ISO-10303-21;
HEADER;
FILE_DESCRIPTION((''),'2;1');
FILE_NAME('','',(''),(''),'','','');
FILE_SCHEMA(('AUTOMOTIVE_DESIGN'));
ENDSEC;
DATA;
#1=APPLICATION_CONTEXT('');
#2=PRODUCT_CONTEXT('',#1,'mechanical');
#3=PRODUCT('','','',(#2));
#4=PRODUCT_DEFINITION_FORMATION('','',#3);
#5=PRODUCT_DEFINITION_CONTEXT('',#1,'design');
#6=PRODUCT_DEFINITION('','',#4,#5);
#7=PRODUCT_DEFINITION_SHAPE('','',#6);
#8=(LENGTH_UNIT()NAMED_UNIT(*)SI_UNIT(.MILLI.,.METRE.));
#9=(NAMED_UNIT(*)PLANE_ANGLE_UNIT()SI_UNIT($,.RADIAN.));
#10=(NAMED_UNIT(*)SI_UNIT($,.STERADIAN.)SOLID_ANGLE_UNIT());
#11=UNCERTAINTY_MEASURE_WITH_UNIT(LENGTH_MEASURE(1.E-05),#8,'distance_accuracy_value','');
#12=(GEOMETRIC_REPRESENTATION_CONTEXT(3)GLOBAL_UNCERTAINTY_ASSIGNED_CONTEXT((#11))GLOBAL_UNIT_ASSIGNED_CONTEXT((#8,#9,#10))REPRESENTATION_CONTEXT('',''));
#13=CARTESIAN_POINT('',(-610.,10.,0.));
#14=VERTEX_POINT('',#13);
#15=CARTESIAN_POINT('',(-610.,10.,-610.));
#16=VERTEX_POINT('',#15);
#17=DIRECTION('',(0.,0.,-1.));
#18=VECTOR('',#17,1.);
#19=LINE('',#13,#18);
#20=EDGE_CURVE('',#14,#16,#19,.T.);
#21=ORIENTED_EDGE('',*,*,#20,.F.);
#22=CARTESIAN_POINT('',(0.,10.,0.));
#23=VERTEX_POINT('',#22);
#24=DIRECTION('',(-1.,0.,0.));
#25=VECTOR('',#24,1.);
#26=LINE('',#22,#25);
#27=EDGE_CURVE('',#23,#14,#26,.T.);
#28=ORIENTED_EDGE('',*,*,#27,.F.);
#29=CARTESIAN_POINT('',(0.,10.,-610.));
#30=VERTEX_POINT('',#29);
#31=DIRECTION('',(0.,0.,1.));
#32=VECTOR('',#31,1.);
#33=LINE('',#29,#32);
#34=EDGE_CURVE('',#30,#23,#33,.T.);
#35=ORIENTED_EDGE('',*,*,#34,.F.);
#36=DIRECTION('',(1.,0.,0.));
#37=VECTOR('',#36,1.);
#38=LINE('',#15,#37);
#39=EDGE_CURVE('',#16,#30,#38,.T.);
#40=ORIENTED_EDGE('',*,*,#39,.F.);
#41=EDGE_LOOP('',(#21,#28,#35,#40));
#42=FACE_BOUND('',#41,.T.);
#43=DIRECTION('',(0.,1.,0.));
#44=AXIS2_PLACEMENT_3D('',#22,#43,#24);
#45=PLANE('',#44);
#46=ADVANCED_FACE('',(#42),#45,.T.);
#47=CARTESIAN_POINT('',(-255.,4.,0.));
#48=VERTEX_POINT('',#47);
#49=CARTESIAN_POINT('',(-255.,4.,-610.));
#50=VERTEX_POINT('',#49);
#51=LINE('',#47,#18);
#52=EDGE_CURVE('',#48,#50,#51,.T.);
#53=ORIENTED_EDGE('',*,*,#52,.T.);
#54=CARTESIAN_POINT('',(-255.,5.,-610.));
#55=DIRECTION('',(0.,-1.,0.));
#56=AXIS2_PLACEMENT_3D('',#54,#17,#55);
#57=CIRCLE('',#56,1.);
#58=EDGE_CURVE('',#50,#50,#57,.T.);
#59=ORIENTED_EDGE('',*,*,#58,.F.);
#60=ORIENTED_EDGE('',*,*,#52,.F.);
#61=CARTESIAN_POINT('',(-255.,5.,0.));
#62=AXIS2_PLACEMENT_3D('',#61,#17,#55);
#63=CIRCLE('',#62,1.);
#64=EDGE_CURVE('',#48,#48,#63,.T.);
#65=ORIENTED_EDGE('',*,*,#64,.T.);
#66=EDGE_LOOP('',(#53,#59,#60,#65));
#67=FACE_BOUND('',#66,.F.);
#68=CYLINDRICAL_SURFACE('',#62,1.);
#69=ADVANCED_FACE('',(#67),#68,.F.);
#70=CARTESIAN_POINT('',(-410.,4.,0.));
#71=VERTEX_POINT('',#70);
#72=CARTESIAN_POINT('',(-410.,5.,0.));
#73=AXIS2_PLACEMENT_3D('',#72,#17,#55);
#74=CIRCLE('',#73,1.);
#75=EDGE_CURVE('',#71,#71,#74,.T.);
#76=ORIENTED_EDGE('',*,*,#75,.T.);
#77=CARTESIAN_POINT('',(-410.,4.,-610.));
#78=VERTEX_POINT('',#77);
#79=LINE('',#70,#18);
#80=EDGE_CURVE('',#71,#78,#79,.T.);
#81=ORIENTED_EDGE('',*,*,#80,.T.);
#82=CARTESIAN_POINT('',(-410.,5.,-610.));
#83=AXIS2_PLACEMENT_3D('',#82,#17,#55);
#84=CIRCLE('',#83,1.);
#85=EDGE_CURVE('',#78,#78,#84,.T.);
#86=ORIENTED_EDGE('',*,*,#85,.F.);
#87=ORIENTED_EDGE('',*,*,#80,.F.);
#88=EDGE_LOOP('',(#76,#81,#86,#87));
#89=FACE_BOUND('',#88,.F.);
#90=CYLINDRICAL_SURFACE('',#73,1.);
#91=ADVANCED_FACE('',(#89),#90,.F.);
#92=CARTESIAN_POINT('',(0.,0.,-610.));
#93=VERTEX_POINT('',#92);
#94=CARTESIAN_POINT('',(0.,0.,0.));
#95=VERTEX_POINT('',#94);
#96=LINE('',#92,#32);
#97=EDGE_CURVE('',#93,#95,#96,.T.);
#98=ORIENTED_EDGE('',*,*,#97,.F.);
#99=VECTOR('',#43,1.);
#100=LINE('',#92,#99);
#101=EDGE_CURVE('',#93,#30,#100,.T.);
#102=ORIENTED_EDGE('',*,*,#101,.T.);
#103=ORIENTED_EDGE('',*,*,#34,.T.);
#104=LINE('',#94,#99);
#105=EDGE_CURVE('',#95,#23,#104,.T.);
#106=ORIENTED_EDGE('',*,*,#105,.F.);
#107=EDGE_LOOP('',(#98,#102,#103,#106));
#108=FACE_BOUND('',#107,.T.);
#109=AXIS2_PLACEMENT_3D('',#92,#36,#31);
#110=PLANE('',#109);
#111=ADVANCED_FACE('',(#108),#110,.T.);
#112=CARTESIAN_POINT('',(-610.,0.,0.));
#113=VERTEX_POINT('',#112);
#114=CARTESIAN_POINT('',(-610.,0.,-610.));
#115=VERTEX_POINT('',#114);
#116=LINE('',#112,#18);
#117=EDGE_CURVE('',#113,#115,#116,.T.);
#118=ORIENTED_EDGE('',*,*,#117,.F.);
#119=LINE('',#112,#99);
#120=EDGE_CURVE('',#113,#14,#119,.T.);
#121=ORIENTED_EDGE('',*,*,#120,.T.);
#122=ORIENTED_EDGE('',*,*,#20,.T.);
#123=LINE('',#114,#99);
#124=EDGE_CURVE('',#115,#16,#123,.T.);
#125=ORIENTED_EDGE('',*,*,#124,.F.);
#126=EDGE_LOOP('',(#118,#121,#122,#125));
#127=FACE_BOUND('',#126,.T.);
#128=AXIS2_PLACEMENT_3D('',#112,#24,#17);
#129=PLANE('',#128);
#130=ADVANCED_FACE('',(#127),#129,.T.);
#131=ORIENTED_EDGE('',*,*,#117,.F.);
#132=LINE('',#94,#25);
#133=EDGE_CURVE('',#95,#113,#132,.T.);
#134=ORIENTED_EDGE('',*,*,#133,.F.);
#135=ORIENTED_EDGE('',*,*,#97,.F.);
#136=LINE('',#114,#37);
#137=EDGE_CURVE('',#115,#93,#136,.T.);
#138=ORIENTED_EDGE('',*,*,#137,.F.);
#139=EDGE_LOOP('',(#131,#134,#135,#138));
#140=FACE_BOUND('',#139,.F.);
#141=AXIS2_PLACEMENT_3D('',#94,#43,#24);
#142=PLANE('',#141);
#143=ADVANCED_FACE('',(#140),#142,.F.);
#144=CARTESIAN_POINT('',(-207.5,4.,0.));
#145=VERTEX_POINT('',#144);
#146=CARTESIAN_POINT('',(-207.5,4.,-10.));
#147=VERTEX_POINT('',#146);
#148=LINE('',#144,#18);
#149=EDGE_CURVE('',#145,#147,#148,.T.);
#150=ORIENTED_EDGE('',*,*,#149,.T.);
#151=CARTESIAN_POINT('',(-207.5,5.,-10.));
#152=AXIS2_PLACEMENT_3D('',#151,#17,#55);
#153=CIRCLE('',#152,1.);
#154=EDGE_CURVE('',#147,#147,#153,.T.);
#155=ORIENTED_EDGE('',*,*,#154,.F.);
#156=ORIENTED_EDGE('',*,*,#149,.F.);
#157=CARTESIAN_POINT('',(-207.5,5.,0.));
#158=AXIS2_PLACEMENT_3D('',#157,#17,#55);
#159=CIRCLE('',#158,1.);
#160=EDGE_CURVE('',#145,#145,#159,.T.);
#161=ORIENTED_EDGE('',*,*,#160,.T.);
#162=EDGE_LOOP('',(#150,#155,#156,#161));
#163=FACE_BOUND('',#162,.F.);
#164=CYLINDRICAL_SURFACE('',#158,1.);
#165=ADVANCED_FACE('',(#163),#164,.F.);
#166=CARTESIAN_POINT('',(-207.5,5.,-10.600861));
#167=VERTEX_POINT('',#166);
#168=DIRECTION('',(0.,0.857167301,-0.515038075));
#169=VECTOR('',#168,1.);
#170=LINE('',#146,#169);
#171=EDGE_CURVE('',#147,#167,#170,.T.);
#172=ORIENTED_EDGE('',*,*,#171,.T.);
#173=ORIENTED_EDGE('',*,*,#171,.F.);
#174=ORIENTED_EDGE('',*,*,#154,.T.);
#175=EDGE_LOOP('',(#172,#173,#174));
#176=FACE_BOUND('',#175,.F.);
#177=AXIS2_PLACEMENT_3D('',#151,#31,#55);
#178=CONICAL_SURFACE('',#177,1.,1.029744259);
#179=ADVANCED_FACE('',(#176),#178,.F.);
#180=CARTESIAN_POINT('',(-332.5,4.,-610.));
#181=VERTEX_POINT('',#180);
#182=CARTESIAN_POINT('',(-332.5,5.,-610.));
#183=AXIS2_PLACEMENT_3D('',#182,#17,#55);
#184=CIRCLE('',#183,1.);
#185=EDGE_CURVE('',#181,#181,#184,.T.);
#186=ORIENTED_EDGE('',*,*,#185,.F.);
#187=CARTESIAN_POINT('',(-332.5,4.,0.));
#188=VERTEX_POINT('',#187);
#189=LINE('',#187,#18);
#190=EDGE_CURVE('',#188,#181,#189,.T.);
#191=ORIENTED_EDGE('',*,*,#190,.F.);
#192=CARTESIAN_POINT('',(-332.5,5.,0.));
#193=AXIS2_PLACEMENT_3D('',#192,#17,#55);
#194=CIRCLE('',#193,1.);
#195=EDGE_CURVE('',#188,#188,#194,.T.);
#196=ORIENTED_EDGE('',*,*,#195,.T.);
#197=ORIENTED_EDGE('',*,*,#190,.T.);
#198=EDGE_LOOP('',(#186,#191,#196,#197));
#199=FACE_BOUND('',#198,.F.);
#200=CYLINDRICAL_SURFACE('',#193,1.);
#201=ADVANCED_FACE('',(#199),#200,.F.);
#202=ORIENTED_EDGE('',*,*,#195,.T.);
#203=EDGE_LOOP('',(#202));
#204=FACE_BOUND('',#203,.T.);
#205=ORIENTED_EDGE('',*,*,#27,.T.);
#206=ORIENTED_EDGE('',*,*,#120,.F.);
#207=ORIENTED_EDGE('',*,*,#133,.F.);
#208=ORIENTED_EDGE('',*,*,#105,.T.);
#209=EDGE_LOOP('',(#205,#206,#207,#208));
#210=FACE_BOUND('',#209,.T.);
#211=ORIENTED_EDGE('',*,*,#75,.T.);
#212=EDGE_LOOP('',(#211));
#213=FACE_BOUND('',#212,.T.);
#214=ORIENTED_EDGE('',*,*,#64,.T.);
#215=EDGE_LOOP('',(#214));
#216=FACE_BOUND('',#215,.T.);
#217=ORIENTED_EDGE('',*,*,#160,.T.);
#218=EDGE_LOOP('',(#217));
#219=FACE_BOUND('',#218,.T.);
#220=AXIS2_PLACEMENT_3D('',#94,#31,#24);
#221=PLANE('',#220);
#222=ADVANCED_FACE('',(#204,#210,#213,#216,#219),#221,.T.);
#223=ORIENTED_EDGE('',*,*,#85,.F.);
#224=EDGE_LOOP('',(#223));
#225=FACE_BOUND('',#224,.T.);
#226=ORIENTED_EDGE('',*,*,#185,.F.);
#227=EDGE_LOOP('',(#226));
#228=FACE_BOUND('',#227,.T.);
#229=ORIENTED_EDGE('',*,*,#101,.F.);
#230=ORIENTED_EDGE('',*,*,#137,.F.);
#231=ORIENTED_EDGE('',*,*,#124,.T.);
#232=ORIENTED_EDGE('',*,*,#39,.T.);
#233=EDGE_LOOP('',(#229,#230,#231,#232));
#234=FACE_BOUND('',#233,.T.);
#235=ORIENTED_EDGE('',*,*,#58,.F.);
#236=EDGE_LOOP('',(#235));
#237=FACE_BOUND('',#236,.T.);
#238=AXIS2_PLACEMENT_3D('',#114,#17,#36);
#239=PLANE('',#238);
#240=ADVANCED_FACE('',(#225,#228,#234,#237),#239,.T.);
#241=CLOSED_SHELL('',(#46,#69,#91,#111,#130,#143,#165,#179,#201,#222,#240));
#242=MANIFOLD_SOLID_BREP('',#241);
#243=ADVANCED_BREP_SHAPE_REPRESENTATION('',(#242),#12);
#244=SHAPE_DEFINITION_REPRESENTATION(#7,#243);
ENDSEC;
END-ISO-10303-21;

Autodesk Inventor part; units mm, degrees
ref_plane "YZ Plane" through (0, 0, 0) normal (1, 0, 0) x (0, 1, 0)
ref_plane "XZ Plane" through (0, 0, 0) normal (0, 1, 0) x (-1, 0, 0)
ref_plane "XY Plane" through (0, 0, 0) normal (0, 0, 1) x (1, 0, 0)
sketch "Sketch1" plane through (0, 0, 0) normal (0, 1, 0) x (-1, 0, 0)
  line L0 (0, 0) -> (610, 0)
  line L1 (610, 0) -> (610, -610)
  line L2 (610, -610) -> (0, -610)
  line L3 (0, -610) -> (0, 0)
  dimension "d0" = 610
  dimension "d1" = 610
extrude "Extrusion1" add sketch "Sketch1" along normal blind 10
sketch "Sketch2" plane through (-610, 0, 0) normal (0, 0, 1) x (1, 0, 0)
  line L0 (0, 0) -> (610, 0) projected
  line L1 (0, 0) -> (0, 10) projected
  point P0 (200, 5)
  dimension "d4" = 5
  dimension "d5" = 200
hole "Hole1" at (-410, 5, 0) direction (0, 0, -1) diameter 2 end through all
pattern_linear "Rectangular Pattern2" count 2 spacing 155 along (1, 0, 0) of "Hole1"
sketch "Sketch4" plane through (-610, 0, 0) normal (0, 0, 1) x (1, 0, 0)
  line L0 (0, 0) -> (610, 0) projected
  line L1 (610, 0) -> (610, 10) projected
  point P0 (402.5, 5)
  dimension "d28" = 5
  dimension "d29" = 207.5
hole "Hole3" at (-207.5, 5, 0) direction (0, 0, -1) diameter 2 depth 10 tip angle 118
pattern_linear "Rectangular Pattern3" count 2 spacing 77.5 along (1, 0, 0) of "Hole1"
properties part number "BASE"
